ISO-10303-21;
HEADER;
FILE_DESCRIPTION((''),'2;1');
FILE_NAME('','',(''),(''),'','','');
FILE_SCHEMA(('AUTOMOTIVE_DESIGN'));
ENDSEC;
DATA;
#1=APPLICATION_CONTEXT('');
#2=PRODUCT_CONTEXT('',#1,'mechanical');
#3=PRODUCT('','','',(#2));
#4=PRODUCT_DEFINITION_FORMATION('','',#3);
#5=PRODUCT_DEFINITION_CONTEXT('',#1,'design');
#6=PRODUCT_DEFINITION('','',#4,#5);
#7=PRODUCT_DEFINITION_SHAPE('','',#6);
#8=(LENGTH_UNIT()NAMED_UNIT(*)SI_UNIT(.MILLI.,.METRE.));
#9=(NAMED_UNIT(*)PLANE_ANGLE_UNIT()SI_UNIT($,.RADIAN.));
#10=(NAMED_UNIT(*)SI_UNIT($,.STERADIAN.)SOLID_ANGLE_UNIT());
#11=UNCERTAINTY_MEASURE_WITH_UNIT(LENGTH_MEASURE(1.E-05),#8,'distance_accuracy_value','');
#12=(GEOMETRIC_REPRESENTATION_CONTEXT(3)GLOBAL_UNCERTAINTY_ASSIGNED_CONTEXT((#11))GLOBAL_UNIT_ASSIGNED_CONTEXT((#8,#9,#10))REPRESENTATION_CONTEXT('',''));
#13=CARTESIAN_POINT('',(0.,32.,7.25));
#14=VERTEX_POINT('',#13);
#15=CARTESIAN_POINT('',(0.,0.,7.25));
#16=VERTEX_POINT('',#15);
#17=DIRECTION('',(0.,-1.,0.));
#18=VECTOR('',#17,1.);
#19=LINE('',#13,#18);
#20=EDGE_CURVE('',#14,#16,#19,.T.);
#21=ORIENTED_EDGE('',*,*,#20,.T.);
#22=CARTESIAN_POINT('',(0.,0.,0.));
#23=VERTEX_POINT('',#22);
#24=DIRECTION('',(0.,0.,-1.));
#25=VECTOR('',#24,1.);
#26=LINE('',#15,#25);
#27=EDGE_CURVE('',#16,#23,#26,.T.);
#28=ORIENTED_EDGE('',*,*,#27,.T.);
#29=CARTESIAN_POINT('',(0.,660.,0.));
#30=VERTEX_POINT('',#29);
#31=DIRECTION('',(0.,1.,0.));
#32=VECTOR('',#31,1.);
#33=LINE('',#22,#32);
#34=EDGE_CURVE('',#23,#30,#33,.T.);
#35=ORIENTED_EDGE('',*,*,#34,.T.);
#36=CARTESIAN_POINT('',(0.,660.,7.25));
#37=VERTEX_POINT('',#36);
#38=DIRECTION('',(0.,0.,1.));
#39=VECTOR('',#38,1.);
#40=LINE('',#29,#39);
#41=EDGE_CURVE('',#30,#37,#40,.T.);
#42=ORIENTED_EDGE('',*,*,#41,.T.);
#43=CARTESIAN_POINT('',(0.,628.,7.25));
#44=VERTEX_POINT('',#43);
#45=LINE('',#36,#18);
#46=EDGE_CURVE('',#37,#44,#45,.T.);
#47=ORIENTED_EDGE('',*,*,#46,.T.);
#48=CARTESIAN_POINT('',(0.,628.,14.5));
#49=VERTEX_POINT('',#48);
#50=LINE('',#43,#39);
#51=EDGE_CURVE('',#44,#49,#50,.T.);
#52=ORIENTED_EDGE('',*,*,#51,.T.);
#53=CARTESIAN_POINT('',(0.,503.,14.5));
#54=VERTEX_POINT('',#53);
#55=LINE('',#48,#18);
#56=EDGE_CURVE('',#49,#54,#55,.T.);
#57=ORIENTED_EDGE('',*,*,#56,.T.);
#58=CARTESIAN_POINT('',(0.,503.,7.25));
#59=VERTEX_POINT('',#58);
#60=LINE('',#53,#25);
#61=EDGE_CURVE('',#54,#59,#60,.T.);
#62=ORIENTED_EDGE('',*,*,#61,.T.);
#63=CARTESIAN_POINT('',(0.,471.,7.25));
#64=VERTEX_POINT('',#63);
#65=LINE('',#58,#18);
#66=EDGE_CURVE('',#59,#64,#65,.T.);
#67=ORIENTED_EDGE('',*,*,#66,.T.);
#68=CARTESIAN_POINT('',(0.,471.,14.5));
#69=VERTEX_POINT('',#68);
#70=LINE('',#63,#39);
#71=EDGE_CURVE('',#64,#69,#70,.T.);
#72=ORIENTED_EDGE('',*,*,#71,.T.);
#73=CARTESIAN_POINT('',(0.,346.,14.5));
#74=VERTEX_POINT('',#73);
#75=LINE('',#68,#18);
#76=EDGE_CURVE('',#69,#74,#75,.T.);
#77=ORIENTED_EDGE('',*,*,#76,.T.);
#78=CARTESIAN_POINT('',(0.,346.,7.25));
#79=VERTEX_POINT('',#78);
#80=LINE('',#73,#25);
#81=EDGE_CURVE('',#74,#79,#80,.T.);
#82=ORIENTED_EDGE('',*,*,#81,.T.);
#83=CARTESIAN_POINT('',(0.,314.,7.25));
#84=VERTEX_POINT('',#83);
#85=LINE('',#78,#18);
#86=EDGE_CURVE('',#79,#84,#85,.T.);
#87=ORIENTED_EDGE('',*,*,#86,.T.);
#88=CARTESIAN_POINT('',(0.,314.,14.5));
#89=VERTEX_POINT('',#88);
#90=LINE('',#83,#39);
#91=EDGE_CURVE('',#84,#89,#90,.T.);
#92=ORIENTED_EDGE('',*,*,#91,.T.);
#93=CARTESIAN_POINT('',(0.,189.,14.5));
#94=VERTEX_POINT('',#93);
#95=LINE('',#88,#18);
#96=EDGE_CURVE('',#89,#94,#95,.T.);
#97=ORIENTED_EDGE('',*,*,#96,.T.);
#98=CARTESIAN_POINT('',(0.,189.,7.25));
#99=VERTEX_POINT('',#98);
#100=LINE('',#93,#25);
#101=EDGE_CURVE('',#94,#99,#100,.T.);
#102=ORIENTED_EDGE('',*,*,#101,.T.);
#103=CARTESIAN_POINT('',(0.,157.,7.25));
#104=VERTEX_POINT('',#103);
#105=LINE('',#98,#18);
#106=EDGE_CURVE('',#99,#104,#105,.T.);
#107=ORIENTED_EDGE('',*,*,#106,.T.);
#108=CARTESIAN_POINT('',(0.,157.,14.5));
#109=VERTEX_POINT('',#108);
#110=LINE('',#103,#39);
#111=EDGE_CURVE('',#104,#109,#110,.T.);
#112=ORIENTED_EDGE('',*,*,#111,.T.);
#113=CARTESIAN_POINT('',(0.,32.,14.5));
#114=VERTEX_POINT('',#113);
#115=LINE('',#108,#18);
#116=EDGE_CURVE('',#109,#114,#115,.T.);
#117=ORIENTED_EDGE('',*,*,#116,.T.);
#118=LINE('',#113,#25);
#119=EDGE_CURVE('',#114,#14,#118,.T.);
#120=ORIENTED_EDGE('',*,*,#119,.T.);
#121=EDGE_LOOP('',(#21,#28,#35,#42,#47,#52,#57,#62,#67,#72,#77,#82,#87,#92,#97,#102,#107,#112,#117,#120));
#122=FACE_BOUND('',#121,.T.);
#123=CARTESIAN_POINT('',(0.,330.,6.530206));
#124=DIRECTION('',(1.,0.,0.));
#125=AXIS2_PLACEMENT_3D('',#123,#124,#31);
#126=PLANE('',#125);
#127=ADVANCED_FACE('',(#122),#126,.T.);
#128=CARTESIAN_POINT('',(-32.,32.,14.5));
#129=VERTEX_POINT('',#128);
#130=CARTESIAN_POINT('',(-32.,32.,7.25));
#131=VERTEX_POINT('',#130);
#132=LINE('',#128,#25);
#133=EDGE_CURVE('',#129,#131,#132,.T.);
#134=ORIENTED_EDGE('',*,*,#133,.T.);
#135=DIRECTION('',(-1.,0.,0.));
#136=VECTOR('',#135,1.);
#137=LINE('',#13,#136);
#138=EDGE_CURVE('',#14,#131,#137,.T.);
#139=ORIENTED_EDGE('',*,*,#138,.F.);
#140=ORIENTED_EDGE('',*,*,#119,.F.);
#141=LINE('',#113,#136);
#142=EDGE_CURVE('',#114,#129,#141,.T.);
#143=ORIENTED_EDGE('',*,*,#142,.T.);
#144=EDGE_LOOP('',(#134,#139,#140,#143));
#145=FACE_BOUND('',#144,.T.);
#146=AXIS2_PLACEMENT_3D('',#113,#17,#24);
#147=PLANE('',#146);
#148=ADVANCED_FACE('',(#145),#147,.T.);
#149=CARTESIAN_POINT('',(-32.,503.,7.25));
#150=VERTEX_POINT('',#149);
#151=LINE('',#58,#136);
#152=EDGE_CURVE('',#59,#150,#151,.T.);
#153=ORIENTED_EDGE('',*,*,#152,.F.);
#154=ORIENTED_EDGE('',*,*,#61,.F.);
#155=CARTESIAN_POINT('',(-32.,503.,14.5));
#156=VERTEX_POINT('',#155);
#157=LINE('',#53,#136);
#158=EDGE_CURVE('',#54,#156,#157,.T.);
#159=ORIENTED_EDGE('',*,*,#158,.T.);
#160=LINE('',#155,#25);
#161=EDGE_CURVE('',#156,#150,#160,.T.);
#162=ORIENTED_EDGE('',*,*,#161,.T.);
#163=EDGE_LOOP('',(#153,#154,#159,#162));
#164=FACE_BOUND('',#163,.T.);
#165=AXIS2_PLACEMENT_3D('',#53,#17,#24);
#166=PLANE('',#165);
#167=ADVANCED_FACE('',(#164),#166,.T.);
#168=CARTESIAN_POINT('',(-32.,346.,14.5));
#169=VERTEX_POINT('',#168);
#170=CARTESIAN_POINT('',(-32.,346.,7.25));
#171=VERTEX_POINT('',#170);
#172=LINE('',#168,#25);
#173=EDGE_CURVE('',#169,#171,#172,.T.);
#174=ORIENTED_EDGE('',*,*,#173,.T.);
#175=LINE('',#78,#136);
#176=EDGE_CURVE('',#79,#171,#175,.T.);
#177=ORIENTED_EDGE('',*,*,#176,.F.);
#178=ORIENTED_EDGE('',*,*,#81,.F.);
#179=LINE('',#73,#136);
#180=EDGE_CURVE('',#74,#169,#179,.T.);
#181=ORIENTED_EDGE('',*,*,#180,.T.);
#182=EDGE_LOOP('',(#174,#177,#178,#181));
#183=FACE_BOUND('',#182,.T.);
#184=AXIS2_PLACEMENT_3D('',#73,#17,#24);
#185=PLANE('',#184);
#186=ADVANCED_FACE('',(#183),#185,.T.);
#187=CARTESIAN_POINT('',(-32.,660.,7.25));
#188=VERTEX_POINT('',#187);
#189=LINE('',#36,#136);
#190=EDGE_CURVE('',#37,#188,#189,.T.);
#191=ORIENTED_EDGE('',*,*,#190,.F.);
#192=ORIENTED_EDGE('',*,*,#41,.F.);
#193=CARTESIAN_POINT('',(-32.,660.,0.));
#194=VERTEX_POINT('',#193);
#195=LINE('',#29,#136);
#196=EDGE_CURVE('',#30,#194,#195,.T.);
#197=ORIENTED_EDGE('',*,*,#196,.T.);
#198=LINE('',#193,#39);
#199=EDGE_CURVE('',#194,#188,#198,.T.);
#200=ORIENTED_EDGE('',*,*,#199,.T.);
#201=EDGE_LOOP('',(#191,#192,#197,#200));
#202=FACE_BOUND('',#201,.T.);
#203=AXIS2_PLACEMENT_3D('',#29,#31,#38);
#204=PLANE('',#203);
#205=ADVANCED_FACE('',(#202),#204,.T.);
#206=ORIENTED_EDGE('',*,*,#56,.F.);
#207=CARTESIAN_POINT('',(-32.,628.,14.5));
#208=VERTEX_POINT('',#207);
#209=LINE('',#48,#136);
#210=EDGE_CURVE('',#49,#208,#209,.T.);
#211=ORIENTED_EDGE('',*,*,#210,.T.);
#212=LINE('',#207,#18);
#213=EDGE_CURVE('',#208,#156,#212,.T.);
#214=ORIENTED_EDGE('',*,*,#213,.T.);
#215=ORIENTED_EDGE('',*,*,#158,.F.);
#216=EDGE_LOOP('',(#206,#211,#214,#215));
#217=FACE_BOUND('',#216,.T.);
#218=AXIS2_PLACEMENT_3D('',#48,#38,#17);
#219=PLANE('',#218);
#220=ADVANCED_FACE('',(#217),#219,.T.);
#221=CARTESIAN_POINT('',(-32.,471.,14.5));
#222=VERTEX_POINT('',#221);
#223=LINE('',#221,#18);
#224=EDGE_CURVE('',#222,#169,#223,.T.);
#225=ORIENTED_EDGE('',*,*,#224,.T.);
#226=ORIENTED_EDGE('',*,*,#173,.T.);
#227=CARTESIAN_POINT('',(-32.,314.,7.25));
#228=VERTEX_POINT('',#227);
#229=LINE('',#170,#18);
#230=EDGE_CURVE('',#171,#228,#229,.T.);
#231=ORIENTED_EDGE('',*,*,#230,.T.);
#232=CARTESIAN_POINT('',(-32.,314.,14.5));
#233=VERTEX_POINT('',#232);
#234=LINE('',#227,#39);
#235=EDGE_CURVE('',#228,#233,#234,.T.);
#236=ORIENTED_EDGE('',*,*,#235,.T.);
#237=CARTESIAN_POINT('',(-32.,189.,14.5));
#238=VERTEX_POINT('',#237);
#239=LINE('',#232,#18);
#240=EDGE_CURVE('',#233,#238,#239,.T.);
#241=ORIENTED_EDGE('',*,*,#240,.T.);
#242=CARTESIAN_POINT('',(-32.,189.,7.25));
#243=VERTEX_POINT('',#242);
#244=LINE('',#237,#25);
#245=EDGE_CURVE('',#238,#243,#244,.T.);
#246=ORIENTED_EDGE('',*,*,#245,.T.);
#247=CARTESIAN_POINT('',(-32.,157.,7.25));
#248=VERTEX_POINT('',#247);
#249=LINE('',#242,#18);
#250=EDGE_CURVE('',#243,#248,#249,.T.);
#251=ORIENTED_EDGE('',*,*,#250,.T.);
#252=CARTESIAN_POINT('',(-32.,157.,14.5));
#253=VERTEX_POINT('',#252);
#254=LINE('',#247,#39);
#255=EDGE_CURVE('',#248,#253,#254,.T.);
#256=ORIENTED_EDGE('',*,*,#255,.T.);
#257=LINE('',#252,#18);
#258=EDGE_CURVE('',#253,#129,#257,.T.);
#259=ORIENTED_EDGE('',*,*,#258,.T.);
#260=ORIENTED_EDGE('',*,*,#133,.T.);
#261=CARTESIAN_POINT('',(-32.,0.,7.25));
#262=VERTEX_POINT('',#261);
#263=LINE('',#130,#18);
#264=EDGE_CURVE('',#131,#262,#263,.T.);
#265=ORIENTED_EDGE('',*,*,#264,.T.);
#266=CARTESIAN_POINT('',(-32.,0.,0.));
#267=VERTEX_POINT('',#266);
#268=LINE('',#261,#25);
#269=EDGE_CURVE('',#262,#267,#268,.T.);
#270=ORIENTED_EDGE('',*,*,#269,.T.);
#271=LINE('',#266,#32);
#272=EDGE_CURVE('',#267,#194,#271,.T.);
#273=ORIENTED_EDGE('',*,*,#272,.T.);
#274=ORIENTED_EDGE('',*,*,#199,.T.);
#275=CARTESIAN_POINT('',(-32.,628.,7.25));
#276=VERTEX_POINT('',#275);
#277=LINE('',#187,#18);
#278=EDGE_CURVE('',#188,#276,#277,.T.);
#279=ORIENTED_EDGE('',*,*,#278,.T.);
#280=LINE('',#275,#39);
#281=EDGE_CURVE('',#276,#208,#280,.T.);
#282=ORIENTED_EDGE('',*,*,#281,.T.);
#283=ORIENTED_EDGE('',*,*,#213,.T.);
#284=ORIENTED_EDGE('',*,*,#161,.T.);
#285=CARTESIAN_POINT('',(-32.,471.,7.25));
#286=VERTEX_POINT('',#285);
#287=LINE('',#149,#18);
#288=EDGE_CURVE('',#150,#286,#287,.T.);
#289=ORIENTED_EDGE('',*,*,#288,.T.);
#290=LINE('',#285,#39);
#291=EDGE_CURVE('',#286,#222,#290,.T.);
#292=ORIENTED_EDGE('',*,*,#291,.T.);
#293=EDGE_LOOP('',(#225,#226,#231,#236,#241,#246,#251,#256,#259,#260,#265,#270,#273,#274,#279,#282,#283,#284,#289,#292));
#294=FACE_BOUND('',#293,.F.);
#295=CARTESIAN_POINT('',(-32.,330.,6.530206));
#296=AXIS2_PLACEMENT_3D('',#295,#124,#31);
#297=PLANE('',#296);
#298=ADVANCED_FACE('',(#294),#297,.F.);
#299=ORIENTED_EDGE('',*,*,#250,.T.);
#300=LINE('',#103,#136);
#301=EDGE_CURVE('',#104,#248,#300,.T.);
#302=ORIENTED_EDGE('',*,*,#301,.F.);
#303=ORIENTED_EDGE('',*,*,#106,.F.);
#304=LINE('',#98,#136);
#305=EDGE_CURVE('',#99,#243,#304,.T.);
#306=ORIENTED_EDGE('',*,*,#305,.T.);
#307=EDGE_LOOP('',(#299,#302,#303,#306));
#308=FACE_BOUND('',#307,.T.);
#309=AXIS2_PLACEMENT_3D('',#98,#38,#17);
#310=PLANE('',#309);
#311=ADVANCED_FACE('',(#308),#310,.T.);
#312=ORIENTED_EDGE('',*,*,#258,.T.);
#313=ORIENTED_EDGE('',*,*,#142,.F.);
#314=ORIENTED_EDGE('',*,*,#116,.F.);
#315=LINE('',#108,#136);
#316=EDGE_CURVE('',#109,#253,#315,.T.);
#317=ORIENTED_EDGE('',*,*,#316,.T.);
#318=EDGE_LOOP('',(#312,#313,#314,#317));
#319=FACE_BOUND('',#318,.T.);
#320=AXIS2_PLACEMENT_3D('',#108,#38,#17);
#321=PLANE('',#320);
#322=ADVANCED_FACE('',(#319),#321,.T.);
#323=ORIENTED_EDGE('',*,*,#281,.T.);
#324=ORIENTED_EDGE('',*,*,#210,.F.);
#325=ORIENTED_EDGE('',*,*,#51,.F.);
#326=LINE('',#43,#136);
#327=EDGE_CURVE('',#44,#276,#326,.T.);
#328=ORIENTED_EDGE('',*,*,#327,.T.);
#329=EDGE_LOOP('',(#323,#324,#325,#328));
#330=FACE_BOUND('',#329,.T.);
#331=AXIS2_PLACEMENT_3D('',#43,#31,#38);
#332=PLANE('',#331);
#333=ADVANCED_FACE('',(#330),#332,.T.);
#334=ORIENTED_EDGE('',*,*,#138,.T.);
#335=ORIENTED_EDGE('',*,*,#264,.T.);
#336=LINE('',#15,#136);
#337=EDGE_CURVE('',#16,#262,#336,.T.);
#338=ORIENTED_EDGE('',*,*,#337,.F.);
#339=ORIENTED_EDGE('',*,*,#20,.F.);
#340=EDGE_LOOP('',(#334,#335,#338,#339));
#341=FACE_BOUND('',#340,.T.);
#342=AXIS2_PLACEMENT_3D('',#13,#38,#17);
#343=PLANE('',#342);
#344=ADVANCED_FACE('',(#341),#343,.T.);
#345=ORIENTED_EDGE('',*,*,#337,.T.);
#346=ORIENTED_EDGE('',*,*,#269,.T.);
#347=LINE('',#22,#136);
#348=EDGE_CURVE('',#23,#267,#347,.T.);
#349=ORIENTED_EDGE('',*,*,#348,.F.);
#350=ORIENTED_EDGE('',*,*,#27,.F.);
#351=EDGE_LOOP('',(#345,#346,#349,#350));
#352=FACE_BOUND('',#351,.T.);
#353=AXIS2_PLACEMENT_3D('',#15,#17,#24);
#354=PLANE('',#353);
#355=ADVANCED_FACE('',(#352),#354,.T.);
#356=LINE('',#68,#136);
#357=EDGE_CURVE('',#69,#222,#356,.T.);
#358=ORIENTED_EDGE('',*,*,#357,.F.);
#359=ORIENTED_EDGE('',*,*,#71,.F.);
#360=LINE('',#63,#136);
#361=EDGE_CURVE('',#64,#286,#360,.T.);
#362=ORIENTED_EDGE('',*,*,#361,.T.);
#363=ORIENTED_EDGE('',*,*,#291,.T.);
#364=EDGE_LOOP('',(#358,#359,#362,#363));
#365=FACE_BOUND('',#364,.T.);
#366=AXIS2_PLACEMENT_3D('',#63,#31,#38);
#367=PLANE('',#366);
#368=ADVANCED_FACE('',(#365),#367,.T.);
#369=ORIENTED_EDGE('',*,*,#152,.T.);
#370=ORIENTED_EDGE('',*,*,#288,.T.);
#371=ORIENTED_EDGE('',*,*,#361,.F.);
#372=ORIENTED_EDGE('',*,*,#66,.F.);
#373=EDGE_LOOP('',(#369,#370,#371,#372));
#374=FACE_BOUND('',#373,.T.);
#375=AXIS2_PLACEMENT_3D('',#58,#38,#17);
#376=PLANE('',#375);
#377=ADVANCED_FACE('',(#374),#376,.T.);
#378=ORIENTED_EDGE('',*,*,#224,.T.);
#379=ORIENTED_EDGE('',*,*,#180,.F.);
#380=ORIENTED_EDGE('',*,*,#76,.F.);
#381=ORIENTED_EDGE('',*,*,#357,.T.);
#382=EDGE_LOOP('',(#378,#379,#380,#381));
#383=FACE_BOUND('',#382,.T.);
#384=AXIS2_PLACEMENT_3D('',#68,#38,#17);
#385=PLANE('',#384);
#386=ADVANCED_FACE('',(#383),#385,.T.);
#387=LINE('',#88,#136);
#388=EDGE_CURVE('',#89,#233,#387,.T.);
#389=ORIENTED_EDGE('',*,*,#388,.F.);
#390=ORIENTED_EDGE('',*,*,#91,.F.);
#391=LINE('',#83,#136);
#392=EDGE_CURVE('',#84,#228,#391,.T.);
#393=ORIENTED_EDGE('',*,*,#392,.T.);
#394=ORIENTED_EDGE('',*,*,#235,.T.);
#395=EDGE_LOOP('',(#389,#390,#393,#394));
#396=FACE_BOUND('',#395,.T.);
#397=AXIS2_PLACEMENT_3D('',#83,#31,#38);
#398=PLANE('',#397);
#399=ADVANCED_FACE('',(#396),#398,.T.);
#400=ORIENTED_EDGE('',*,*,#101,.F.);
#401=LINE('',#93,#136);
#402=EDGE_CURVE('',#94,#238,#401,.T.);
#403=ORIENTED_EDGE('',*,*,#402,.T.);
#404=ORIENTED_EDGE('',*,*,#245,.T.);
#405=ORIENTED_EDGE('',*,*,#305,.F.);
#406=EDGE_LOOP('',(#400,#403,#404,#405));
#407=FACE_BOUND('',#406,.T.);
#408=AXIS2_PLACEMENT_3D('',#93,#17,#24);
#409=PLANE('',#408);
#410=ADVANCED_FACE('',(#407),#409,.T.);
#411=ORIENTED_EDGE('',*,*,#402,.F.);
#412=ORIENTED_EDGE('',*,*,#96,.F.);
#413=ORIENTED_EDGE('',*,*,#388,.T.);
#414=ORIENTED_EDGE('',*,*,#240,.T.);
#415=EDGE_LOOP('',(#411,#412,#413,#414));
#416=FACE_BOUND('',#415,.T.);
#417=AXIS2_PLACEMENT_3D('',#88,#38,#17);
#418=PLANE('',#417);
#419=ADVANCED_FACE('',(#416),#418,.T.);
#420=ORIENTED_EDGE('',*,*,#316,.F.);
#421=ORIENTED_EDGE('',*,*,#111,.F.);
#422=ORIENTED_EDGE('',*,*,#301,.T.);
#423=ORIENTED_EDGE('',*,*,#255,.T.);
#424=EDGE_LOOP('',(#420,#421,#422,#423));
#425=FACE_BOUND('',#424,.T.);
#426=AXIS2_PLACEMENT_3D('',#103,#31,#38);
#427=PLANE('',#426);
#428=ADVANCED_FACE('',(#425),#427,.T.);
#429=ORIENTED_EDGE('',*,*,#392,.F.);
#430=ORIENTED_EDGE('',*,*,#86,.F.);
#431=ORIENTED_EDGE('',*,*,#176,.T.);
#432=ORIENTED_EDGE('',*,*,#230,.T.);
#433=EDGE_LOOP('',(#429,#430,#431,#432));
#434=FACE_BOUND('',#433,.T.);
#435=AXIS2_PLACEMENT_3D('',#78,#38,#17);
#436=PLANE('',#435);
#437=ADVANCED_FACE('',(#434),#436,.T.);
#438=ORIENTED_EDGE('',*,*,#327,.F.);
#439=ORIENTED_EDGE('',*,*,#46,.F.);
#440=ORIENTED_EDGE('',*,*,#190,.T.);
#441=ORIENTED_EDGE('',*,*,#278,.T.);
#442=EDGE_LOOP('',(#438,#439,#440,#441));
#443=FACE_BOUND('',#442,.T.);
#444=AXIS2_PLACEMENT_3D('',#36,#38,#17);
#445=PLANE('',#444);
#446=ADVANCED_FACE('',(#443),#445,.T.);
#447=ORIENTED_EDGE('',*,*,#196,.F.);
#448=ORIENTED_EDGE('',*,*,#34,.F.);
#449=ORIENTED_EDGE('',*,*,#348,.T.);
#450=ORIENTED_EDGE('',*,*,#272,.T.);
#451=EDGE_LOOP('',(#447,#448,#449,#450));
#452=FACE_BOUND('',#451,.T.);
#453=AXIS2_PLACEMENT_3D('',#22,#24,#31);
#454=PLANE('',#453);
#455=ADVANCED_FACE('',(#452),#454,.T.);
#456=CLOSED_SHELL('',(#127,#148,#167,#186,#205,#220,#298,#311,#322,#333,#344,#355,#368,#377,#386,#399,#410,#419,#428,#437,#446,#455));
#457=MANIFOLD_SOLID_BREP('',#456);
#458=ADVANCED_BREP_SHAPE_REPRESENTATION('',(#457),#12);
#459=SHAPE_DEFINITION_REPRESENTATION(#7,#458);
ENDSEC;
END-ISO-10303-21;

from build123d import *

# Parameters (mm, degrees)
F1_DEPTH = 32


with BuildPart() as f1:
    # F0 (on Right) → F1 (new body)
    with BuildSketch(Plane.YZ):
        Polygon((0, 7.25), (0, 0), (660, 0), (660, 7.25), (628, 7.25), (628, 14.5), (503, 14.5), (503, 7.25), (471, 7.25), (471, 14.5), (346, 14.5), (346, 7.25), (314, 7.25), (314, 14.5), (189, 14.5), (189, 7.25), (157, 7.25), (157, 14.5), (32, 14.5), (32, 7.25), align=None)
    extrude(amount=-F1_DEPTH)


solid = f1.part
